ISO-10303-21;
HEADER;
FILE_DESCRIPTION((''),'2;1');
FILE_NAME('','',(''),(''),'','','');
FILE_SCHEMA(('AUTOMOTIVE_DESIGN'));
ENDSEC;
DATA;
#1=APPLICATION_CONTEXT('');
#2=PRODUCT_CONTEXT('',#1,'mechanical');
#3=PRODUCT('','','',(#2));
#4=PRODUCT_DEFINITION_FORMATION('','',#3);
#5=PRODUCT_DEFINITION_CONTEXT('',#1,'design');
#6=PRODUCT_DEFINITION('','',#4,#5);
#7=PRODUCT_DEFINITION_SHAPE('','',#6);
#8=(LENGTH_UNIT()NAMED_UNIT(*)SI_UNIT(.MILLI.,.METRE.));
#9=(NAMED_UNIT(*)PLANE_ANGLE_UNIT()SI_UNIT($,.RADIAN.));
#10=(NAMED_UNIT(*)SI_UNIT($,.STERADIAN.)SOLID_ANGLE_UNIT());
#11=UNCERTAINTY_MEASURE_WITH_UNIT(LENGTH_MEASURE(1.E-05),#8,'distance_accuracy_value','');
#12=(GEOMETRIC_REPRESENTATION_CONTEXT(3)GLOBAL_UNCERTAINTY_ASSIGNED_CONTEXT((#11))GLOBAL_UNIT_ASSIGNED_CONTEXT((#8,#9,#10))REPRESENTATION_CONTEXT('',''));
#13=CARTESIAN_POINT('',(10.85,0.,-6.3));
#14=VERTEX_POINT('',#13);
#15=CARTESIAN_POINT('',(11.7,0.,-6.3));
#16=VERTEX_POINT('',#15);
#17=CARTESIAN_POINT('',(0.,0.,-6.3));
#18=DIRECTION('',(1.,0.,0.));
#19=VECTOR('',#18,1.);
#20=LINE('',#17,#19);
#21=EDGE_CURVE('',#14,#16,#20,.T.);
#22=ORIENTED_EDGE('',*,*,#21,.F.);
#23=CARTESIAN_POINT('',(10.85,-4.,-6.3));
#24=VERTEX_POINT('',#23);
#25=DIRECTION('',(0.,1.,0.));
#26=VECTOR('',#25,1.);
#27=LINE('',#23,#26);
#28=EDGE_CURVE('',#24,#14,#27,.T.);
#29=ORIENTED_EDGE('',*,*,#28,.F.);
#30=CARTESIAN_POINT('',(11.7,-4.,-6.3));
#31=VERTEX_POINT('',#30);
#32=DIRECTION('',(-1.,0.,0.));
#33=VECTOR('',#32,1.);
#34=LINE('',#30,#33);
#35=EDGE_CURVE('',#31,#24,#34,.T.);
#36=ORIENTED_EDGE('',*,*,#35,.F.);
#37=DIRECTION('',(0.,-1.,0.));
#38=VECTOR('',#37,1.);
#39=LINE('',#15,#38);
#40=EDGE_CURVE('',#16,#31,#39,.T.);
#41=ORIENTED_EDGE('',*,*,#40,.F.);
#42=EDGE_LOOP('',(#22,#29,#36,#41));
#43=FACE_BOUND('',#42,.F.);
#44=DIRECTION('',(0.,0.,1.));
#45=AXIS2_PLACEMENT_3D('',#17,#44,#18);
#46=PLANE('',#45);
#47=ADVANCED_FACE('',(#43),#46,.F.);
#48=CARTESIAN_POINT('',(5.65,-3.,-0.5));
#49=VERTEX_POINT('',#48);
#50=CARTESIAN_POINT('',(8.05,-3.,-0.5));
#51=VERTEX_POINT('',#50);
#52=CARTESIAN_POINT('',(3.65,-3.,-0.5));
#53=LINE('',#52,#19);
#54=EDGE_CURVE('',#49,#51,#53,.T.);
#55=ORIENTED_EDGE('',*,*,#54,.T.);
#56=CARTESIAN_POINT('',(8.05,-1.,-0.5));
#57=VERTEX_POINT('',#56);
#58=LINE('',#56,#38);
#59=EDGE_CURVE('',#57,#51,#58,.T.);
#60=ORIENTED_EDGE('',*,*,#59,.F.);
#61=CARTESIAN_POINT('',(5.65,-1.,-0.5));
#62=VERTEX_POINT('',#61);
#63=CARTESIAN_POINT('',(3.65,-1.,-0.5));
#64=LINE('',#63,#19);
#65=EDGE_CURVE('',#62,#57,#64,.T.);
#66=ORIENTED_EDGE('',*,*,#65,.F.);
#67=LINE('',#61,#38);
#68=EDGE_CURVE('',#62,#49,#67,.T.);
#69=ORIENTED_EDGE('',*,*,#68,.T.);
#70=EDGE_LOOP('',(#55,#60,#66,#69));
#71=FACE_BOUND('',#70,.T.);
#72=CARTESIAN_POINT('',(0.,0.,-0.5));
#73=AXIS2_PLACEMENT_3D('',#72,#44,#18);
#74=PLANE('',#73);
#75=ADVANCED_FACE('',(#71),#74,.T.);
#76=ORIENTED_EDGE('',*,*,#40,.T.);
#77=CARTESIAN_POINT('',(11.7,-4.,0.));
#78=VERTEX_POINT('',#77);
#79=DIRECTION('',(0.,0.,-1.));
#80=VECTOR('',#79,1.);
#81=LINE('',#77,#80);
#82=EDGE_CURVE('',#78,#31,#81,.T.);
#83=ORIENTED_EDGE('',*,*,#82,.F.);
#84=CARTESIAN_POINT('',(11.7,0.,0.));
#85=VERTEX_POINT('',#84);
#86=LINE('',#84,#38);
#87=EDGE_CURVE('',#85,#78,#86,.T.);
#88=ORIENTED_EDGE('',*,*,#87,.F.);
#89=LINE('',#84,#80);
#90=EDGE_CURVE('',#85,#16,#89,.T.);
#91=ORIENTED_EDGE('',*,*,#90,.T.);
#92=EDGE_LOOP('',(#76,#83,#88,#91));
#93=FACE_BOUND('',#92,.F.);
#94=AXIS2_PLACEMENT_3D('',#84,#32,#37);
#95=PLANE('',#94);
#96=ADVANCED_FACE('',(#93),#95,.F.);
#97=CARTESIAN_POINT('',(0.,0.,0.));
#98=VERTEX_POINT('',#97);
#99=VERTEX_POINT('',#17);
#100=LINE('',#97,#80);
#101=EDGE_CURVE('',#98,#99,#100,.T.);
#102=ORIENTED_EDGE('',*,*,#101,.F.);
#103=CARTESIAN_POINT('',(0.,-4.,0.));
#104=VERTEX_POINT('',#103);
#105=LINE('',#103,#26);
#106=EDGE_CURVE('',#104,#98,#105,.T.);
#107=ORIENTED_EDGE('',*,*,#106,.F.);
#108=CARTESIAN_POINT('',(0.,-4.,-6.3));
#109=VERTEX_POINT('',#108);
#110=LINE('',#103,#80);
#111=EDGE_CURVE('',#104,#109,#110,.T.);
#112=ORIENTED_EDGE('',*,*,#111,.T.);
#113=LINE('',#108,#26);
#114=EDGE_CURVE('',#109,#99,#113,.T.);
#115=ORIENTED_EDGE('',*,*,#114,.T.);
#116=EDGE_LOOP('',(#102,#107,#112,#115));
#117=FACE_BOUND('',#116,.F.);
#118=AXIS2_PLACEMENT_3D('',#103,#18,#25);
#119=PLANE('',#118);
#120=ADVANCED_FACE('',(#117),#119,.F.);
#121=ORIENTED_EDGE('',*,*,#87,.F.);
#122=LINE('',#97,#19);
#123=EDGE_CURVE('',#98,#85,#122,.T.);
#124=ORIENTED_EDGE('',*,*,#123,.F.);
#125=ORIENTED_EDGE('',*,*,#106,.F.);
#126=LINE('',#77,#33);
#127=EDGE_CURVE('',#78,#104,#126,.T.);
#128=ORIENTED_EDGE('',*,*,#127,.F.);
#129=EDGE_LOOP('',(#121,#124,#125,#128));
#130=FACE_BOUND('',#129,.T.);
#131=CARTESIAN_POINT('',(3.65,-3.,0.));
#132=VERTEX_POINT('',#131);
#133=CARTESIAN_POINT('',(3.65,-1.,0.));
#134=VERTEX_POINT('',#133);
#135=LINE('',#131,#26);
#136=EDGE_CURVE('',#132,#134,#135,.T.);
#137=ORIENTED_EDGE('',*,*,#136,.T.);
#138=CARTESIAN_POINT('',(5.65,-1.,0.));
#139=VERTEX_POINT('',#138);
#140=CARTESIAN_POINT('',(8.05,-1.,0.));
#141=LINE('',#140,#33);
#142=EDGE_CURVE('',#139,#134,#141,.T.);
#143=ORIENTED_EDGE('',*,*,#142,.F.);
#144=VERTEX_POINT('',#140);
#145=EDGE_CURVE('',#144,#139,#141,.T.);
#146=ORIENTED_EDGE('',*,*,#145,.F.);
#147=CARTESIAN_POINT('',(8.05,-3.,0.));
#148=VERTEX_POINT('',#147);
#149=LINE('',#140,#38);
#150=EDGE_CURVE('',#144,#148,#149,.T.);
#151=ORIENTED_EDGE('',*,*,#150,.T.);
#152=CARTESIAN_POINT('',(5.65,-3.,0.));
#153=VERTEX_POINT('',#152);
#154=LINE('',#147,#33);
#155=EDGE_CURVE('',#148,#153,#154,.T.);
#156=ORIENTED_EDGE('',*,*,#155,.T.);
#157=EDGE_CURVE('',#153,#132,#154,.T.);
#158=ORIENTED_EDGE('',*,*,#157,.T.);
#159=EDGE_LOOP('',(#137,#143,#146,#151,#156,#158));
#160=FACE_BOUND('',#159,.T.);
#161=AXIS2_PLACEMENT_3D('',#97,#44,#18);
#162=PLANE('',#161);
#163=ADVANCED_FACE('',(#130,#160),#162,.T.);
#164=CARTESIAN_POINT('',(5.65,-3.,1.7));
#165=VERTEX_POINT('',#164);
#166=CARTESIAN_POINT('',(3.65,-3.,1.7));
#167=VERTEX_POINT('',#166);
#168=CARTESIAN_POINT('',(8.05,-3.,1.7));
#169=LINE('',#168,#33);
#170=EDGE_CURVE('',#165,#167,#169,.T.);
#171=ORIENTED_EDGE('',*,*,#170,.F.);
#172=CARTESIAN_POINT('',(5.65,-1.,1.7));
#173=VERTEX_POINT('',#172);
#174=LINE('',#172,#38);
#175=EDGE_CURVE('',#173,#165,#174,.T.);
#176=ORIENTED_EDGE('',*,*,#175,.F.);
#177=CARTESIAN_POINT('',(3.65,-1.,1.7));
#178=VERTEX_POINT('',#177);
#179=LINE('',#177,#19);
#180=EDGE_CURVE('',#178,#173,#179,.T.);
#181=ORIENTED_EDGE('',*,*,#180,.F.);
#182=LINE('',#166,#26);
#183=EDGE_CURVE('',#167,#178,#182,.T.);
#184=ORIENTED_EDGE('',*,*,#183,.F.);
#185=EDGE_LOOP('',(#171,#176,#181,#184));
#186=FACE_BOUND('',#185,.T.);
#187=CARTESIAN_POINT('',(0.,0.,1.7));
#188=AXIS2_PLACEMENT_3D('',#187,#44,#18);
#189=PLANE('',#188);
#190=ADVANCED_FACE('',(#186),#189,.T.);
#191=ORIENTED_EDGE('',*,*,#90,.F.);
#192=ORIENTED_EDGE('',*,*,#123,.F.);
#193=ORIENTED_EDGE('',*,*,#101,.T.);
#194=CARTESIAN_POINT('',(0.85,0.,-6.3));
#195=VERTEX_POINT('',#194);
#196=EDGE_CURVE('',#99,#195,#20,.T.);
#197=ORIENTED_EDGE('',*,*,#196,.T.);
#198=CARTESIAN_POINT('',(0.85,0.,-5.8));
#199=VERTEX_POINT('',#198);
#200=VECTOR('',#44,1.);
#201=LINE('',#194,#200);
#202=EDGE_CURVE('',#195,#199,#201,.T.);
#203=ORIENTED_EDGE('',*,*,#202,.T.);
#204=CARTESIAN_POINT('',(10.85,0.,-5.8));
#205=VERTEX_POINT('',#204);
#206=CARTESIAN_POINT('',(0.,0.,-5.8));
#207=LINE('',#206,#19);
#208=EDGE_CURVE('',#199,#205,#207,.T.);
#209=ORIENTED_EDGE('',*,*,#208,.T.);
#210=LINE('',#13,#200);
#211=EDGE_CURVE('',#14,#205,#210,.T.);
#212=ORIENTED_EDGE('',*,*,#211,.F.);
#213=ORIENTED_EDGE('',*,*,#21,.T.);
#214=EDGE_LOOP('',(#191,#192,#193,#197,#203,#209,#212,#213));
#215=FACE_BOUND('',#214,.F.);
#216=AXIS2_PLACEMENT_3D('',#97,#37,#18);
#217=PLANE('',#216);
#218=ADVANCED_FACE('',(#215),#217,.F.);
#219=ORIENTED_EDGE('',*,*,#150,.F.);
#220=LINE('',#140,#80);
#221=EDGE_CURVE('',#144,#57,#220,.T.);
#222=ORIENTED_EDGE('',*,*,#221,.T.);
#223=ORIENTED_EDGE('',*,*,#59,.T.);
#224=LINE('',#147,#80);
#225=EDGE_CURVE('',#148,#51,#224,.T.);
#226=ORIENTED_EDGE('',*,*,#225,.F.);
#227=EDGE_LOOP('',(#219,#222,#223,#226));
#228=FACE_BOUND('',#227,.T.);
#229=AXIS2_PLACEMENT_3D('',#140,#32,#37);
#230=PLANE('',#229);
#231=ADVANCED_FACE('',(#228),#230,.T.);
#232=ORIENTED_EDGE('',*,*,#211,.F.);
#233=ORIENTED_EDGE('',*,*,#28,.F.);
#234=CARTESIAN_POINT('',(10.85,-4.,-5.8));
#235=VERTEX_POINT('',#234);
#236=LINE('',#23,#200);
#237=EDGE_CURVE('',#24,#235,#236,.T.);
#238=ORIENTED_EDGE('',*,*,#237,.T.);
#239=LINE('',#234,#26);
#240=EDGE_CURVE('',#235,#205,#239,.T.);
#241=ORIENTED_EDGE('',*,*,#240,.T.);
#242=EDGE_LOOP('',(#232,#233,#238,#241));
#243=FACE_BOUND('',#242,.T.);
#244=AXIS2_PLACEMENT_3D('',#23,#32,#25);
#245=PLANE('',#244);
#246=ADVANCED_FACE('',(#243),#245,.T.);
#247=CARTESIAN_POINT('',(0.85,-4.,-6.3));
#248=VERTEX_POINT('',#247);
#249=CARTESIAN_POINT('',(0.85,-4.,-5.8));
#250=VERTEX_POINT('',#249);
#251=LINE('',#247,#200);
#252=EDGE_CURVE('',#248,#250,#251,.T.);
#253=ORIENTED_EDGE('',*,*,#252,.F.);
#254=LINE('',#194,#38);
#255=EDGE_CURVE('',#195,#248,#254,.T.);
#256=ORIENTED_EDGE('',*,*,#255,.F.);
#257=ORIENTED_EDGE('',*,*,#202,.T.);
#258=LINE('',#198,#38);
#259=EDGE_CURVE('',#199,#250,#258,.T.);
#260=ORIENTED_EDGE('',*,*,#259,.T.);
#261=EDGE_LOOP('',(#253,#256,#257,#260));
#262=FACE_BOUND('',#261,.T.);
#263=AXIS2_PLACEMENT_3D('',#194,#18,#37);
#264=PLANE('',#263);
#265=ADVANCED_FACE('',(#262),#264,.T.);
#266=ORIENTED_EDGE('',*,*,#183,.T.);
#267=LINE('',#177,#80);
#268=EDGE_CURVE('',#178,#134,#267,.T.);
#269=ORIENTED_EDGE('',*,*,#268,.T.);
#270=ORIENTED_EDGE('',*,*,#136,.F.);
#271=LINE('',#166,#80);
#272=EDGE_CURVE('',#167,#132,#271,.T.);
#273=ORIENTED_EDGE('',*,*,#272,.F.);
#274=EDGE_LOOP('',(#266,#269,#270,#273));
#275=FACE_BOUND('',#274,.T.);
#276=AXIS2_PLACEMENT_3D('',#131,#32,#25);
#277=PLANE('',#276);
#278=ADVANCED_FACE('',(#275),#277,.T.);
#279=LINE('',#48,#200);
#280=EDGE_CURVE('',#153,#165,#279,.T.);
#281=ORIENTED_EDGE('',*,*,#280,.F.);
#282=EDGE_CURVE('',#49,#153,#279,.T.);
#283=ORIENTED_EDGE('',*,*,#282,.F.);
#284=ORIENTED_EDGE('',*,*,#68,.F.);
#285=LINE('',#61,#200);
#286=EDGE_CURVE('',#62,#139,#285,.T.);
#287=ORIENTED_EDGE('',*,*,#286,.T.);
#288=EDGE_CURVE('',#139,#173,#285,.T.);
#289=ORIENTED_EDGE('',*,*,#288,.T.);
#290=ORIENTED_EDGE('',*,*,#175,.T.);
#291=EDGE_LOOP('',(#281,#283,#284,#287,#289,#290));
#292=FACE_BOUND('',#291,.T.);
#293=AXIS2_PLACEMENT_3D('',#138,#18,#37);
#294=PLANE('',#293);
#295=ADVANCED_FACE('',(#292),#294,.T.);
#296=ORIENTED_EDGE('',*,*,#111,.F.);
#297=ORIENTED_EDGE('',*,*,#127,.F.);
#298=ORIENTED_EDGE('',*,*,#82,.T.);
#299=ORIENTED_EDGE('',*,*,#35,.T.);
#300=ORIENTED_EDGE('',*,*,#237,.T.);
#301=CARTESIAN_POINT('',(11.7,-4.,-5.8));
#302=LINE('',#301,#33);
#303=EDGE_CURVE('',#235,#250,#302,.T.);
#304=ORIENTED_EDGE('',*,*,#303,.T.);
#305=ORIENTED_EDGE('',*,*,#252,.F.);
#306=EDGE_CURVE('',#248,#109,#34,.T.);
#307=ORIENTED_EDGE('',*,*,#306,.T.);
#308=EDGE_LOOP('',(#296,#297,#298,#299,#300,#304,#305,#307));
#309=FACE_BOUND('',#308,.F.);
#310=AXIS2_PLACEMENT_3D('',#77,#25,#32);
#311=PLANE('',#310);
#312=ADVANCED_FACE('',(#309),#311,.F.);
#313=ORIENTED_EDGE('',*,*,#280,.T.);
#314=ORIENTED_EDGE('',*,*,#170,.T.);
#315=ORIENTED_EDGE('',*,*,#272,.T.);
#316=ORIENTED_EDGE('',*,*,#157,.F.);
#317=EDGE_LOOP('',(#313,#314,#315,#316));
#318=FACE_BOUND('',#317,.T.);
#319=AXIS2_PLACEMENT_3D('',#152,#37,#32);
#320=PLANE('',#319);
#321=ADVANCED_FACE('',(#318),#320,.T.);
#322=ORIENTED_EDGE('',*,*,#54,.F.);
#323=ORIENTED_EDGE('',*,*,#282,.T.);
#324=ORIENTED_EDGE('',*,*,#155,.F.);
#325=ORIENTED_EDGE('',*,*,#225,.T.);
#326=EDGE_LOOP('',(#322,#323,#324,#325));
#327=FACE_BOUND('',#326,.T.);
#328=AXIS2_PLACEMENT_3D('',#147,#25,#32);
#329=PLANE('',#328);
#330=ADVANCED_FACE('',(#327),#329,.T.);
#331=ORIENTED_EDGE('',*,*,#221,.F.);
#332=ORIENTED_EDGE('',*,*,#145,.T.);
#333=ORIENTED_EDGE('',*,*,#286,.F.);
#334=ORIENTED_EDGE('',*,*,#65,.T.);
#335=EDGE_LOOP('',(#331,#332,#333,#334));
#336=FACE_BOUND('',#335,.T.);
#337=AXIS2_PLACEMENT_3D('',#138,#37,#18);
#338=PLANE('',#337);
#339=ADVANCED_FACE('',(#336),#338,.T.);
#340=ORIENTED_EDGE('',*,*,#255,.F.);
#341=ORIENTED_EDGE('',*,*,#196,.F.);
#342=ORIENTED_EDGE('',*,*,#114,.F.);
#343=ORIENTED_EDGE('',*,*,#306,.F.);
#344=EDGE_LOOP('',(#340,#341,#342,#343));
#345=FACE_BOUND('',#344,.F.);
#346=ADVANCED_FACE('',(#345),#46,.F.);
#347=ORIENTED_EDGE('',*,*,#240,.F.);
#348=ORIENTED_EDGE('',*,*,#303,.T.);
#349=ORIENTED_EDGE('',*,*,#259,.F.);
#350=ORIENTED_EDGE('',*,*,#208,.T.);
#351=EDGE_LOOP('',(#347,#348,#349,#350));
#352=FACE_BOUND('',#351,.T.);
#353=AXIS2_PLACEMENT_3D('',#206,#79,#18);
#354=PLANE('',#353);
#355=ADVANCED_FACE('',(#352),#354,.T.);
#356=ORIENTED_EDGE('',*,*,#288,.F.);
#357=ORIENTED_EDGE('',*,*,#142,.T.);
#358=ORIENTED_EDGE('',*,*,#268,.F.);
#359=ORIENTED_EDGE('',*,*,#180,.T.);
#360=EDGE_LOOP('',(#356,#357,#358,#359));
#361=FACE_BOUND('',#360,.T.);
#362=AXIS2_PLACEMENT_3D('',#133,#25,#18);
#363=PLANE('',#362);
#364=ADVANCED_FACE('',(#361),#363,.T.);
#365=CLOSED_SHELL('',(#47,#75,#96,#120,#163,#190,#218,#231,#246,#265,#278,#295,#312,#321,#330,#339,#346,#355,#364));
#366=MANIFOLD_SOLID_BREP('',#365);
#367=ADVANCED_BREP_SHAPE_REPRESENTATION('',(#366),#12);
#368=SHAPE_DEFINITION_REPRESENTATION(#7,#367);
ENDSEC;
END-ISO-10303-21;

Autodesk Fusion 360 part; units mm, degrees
sketch "Sketch1" plane through (0, 0, 0) normal (0, 0, 1) x (1, 0, 0)
  line L0 (0, 0) -> (11.7, 0)
  line L1 (11.7, 0) -> (11.7, -4)
  line L2 (11.7, -4) -> (0, -4)
  line L3 (0, -4) -> (0, 0)
  line L4 (5.85, 0) -> (5.85, -4) construction
  line L5 (0, -2) -> (11.7, -2) construction
  line L6 (8.05, -3) -> (3.65, -3)
  line L7 (3.65, -3) -> (3.65, -1)
  line L8 (3.65, -1) -> (8.05, -1)
  line L9 (8.05, -1) -> (8.05, -3)
  line L10 (8.05, -3) -> (3.65, -1) construction
  line L11 (3.65, -3) -> (8.05, -1) construction
  line L12 (3.65, -1) -> (5.65, -1)
  line L13 (5.65, -1) -> (5.65, -3)
  line L14 (5.65, -3) -> (3.65, -3)
  line L15 (3.65, -3) -> (3.65, -1)
  point P0 (5.85, -2)
  dimension "d1" = 11.7
  dimension "d2" = 4
  dimension "d3" = 4.4
  dimension "d4" = 2
  dimension "d5" = 2
extrude "Extrude1" add sketch "Sketch1" against normal blind 6.3 contours L0 L1 L2 L3 | L6 L8 L9 L13 | L6 L7 L8 L12 L13 L14 L15
extrude "Extrude2" cut sketch "Sketch1" against normal blind 0.5 contours L6 L8 L9 L13 | L6 L7 L8 L12 L13 L14 L15
extrude "Extrude3" add sketch "Sketch1" along normal blind 1.7 and the other way blind 0.5 contours L6 L7 L8 L12 L13 L14 L15
sketch "Sketch2" plane through (0, 0, -6.3) normal (0, 0, -1) x (1, 0, 0)
  line L0 (11.7, 4) -> (0, 4)
  line L1 (0, 4) -> (0, 0)
  line L2 (0, 0) -> (11.7, 0)
  line L3 (11.7, 0) -> (11.7, 4)
  line L4 (5.85, 4) -> (5.85, 0) construction
  line L5 (0, 2) -> (11.7, 2) construction
  line L6 (10.85, 0) -> (0.85, 0)
  line L7 (0.85, 0) -> (0.85, 4)
  line L8 (0.85, 4) -> (10.85, 4)
  line L9 (10.85, 4) -> (10.85, 0)
  line L10 (10.85, 0) -> (0.85, 4) construction
  line L11 (0.85, 0) -> (10.85, 4) construction
  point P0 (5.85, 2)
  dimension "d13" = 10
  dimension "d14" = 4
extrude "Extrude4" cut sketch "Sketch2" against normal blind 0.5 contours L0 L2 L6 L7 L8 L9
